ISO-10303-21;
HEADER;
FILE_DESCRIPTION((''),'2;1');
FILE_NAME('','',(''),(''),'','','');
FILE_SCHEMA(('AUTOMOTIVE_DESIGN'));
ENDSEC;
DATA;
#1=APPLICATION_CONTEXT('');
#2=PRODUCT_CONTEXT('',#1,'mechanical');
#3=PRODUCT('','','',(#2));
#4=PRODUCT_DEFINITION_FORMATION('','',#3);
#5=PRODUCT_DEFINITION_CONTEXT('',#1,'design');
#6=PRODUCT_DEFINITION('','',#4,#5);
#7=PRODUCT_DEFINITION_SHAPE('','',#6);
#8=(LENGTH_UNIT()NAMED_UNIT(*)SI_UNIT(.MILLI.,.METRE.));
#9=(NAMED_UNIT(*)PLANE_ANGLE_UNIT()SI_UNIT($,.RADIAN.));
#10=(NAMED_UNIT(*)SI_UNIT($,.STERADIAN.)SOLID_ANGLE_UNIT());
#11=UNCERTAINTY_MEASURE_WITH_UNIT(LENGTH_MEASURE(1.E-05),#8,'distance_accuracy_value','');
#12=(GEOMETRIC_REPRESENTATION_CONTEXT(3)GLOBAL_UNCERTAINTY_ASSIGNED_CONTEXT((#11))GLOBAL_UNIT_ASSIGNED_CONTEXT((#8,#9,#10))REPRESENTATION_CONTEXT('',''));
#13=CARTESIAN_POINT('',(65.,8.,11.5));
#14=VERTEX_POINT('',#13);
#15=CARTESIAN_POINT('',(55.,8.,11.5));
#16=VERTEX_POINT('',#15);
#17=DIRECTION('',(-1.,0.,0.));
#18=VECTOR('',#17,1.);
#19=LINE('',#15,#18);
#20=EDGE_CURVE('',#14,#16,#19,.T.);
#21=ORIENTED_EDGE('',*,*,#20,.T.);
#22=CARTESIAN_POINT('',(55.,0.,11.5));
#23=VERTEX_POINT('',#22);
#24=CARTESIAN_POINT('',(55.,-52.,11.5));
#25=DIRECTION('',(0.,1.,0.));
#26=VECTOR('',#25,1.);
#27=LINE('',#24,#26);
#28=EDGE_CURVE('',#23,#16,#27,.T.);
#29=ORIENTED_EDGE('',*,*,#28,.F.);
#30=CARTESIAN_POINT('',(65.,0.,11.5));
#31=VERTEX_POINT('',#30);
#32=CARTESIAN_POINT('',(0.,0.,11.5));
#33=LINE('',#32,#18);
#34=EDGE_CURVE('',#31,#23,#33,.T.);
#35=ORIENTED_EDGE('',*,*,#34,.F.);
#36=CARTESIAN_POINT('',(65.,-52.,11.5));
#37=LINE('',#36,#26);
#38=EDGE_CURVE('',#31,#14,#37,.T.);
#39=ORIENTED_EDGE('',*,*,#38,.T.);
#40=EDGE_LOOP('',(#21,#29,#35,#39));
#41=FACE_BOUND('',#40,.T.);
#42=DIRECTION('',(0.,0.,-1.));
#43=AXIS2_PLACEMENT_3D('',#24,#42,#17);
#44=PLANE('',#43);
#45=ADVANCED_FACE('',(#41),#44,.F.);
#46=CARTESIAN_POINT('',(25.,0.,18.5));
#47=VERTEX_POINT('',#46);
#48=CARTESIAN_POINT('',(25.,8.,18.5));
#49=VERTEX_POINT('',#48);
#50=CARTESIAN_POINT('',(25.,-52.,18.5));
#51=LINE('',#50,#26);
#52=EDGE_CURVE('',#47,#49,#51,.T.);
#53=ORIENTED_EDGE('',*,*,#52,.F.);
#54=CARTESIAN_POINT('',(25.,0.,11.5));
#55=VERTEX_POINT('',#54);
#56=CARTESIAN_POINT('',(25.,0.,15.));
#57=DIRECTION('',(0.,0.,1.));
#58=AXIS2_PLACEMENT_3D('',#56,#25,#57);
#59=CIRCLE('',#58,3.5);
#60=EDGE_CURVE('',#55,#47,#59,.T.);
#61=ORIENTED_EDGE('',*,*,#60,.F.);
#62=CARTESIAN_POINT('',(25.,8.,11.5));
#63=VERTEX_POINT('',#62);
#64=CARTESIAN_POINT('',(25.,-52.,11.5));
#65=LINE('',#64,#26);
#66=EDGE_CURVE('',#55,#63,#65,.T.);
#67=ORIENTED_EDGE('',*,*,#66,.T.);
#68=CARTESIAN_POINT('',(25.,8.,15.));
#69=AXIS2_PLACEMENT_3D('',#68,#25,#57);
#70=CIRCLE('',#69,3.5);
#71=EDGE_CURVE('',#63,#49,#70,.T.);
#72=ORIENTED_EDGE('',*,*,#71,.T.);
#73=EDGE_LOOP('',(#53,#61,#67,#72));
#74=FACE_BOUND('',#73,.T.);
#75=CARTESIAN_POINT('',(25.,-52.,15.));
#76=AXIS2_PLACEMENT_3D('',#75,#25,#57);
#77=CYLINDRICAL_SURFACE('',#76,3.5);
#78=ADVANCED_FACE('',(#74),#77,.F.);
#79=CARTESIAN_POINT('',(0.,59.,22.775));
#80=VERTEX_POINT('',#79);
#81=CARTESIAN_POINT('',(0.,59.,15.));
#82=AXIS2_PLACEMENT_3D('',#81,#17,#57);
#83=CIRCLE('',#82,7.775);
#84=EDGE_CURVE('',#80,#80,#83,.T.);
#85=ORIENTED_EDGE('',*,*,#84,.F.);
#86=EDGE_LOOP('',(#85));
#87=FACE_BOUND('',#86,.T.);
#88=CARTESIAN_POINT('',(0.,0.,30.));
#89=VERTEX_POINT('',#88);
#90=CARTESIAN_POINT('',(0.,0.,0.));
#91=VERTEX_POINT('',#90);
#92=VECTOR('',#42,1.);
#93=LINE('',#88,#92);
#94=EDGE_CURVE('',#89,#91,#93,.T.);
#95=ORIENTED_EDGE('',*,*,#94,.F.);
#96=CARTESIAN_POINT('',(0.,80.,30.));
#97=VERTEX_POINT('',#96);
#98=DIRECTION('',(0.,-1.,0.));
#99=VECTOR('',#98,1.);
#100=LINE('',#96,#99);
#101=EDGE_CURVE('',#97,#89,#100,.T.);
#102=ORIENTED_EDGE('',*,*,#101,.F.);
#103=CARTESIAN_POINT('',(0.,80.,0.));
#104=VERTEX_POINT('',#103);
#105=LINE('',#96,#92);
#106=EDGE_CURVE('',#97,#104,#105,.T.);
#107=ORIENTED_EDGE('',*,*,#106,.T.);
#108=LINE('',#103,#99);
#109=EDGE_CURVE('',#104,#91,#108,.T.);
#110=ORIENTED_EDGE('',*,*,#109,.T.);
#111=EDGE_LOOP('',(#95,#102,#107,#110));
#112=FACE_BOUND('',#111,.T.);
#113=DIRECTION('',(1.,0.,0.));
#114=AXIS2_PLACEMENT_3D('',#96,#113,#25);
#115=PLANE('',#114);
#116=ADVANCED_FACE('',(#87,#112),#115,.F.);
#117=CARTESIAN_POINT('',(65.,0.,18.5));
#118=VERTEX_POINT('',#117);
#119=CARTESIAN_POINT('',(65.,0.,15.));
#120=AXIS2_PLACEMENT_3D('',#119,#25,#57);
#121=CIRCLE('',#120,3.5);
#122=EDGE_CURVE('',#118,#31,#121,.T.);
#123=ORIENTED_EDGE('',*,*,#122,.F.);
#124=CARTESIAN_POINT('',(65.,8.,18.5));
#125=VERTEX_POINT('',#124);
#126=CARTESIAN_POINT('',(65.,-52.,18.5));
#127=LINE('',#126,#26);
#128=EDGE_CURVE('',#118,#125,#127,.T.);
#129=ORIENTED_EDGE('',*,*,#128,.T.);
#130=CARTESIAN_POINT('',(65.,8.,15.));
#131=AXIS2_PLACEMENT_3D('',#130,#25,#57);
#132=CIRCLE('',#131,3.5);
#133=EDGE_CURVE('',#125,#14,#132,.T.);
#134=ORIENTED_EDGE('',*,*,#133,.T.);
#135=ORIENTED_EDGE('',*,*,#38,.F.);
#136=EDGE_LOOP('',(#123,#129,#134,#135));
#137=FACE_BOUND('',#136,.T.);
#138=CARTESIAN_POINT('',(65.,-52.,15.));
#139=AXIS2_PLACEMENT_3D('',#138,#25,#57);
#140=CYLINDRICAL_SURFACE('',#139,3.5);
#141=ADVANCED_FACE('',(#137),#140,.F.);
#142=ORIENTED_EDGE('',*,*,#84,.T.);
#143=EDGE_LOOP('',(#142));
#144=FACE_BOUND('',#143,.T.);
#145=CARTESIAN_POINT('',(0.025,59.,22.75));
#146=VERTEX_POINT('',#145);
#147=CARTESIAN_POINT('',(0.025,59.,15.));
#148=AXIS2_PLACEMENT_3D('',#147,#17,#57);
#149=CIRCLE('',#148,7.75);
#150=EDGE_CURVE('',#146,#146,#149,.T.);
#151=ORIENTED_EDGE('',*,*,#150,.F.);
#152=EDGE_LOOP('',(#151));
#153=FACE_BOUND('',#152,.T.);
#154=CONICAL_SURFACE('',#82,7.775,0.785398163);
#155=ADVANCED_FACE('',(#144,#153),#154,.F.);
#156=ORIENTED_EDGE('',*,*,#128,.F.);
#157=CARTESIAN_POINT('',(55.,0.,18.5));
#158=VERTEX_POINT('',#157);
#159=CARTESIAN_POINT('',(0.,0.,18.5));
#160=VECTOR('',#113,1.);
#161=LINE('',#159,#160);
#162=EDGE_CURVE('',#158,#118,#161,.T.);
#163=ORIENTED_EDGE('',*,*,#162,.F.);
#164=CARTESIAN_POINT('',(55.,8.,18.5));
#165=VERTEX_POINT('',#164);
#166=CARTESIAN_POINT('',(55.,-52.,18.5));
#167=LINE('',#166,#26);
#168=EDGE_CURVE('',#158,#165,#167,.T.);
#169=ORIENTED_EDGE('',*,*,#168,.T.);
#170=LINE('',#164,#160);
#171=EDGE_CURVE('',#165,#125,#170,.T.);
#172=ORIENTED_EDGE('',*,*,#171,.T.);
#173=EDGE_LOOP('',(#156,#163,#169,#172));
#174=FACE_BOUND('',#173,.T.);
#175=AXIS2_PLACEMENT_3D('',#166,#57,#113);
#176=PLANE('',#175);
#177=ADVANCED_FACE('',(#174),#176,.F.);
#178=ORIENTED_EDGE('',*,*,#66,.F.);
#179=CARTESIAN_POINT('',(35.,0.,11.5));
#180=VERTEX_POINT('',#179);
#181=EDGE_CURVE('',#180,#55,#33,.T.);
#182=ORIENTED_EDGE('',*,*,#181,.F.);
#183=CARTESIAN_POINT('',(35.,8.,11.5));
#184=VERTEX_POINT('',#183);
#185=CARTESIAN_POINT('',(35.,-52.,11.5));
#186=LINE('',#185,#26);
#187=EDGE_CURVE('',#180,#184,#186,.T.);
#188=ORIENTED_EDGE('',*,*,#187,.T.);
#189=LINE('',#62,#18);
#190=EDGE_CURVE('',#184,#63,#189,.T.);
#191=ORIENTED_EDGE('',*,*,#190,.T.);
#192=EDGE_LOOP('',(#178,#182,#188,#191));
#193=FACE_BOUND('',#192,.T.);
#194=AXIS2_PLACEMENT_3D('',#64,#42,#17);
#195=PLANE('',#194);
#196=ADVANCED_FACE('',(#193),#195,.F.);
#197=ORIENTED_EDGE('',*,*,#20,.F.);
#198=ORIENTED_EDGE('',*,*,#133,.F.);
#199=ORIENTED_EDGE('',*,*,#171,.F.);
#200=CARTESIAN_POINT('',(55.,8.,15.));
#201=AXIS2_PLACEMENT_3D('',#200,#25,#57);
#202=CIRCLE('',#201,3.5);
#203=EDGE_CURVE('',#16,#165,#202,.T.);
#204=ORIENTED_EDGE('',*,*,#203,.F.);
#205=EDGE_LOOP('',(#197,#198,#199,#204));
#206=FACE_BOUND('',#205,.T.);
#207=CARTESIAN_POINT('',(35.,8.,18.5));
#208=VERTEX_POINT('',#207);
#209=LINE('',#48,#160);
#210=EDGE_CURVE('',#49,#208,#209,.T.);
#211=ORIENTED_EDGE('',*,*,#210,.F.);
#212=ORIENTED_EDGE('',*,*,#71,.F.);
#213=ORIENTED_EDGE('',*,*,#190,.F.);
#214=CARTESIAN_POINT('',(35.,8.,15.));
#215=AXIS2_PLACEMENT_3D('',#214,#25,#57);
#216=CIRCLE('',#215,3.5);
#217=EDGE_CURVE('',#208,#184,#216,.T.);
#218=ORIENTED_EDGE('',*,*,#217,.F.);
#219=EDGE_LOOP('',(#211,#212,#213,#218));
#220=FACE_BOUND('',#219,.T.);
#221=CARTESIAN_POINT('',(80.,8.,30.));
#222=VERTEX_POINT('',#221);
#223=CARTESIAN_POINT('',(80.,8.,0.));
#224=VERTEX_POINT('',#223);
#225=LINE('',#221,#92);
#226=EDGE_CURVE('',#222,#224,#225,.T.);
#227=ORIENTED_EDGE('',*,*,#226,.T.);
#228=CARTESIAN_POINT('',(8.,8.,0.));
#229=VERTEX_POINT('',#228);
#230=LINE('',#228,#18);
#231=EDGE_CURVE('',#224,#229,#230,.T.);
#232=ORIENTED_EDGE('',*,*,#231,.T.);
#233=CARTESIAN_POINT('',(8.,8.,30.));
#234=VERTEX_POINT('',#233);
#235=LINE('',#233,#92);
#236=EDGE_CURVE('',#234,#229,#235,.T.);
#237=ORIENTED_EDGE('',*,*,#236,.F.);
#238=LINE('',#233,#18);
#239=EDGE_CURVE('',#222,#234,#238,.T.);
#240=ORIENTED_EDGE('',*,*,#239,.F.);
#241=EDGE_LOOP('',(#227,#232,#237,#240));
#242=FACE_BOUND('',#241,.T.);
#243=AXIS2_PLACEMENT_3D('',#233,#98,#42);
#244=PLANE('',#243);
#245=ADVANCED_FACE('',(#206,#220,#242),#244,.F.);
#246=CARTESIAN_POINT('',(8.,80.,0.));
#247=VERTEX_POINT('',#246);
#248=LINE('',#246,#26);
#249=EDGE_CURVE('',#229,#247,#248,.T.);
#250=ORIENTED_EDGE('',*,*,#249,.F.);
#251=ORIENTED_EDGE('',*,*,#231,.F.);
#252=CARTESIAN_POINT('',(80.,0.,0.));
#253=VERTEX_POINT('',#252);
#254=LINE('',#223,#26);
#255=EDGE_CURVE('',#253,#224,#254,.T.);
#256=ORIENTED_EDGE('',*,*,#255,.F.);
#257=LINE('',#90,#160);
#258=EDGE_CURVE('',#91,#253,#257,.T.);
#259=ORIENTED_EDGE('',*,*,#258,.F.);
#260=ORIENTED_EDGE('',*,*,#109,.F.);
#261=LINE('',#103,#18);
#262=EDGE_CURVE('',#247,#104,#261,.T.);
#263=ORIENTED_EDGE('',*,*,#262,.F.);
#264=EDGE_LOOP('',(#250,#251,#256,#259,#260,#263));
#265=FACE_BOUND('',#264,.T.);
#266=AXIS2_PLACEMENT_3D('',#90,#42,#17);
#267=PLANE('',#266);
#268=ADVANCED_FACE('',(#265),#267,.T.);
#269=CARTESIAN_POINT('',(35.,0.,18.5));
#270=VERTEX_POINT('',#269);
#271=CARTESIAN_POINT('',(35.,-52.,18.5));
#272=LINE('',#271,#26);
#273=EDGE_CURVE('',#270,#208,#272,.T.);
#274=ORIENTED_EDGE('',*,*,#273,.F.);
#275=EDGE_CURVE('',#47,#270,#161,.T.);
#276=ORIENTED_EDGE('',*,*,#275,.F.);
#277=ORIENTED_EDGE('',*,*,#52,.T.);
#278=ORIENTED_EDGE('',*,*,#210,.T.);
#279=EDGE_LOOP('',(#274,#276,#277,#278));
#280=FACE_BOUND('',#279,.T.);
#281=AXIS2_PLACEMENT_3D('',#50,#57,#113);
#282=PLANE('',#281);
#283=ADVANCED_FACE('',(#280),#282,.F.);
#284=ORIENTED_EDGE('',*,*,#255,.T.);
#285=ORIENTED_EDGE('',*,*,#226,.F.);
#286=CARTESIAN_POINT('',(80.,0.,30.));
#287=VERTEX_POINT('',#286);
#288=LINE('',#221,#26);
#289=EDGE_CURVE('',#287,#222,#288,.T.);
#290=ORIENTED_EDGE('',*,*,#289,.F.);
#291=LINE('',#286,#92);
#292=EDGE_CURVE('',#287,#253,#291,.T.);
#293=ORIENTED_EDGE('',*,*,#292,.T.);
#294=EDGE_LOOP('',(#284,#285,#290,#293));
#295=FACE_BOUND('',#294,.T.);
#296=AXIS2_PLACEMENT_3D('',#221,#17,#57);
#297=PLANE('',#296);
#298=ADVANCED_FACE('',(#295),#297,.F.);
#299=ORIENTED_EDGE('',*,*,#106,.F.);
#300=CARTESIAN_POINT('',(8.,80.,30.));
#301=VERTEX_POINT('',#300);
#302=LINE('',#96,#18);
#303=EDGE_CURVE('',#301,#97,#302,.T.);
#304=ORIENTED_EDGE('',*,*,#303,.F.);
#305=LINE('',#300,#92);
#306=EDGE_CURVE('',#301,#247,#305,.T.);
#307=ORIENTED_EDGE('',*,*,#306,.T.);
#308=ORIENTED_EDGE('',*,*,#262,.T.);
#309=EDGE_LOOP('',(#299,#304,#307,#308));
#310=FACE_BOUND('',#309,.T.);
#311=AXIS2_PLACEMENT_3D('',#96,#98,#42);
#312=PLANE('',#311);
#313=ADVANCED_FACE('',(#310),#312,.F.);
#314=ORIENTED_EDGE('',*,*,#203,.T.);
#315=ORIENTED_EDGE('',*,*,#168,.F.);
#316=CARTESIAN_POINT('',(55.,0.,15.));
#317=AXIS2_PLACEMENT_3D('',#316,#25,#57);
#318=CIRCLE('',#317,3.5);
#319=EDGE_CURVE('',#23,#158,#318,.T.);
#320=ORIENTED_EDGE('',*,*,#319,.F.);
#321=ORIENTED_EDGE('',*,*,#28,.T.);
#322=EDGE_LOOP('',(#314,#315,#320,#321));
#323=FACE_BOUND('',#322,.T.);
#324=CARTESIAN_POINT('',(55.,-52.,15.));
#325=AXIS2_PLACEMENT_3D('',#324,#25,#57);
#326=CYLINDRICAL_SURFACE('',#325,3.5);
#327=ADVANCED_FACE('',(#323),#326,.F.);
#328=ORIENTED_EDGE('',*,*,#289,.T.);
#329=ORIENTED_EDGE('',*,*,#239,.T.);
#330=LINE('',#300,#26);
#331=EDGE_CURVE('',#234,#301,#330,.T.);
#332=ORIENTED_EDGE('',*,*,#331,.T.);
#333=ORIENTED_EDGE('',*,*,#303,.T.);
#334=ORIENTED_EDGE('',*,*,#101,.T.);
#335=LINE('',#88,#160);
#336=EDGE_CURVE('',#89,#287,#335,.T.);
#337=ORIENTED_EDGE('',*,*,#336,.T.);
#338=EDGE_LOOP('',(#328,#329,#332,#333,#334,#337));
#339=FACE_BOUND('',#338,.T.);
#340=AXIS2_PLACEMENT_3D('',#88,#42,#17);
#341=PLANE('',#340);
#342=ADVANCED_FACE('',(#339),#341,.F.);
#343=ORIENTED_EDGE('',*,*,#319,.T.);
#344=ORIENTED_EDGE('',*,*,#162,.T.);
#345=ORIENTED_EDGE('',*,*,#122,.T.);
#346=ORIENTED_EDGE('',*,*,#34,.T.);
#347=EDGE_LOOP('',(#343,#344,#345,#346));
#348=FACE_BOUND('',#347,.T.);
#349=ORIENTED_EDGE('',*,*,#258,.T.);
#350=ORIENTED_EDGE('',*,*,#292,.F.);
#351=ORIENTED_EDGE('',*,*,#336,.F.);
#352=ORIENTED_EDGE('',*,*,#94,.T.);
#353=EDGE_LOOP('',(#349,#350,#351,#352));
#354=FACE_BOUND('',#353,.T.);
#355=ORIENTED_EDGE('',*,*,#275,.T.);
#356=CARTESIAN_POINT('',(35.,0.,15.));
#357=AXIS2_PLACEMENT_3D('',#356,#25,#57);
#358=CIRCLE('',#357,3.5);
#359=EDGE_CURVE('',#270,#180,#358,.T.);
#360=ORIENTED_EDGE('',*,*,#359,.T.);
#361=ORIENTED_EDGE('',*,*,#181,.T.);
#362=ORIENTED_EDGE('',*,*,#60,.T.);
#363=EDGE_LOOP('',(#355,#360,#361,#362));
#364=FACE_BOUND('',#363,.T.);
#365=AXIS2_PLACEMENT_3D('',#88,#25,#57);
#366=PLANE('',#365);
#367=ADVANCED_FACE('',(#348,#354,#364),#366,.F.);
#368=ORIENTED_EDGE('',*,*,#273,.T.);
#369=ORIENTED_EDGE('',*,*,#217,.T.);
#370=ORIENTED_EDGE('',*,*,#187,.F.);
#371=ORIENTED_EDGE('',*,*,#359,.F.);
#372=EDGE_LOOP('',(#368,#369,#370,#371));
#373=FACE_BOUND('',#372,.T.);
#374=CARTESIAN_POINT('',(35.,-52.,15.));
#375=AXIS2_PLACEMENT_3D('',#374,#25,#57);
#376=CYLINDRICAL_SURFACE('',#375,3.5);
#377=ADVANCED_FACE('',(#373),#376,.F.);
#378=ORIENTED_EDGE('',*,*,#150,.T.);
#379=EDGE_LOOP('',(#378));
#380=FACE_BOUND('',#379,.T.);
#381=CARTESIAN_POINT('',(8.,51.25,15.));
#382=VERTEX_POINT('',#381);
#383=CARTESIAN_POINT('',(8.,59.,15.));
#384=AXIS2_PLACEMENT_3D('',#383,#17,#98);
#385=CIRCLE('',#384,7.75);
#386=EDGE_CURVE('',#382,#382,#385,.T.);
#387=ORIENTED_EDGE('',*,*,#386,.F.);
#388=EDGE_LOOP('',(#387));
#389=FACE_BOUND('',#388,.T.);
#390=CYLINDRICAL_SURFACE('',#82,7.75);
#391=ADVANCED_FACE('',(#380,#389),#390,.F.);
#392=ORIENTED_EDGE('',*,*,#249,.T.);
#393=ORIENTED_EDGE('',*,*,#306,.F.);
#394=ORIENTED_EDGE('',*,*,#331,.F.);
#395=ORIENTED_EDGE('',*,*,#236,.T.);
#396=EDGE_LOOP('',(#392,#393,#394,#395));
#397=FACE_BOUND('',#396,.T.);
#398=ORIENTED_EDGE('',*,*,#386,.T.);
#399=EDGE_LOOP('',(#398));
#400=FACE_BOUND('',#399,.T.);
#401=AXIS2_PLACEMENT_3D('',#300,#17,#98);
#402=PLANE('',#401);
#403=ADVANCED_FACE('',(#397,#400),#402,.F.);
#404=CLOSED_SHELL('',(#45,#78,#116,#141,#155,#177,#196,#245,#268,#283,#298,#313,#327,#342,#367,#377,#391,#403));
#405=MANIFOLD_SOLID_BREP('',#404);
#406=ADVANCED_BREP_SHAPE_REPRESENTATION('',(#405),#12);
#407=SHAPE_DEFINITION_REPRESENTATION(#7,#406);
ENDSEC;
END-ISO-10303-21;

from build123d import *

# Parameters (mm, degrees)
EXTRUDE_1_DEPTH                     = 30
CUT_EXTRUDE_1_DEPTH                 = 60
HOLE_WIZARD_15_5_15_5_1_D           = 15.5
HOLE_WIZARD_15_5_15_5_1_DEPTH       = 17
HOLE_WIZARD_15_5_15_5_1_CSINK_D     = 15.55
HOLE_WIZARD_15_5_15_5_1_CSINK_ANGLE = 90
HOLE_WIZARD_15_5_15_5_1_TIP         = 4.656669797


with BuildPart() as part:
    # 草图1 → 凸台-拉伸1 (new body)
    with BuildSketch(Plane.XY):
        Polygon((0, 80), (0, 0), (80, 0), (80, 8), (8, 8), (8, 80), align=None)
    extrude(amount=EXTRUDE_1_DEPTH)

    # 草图2 → 切除-拉伸1 (cut)
    with BuildSketch(Plane(origin=(0, 8, 0), x_dir=(1, 0, 0), z_dir=(0, 1, 0))):
        with BuildLine():
            Line((55, -11.5), (65, -11.5))
            ThreePointArc((65, -11.5), (68.5, -15), (65, -18.5))
            Line((65, -18.5), (55, -18.5))
            ThreePointArc((55, -18.5), (51.5, -15), (55, -11.5))
        make_face()
        with BuildLine():
            Line((25, -11.5), (35, -11.5))
            ThreePointArc((35, -11.5), (38.5, -15), (35, -18.5))
            Line((35, -18.5), (25, -18.5))
            ThreePointArc((25, -18.5), (21.5, -15), (25, -11.5))
        make_face()
    extrude(amount=-CUT_EXTRUDE_1_DEPTH, mode=Mode.SUBTRACT)

    # Ø15.5 (15.5) 直径槽口1
    with Locations(Plane.ZY):
        with Locations((15, 59)):
            CounterSinkHole(HOLE_WIZARD_15_5_15_5_1_D / 2, HOLE_WIZARD_15_5_15_5_1_CSINK_D / 2, depth=HOLE_WIZARD_15_5_15_5_1_DEPTH, counter_sink_angle=HOLE_WIZARD_15_5_15_5_1_CSINK_ANGLE)
            with Locations((0, 0, -(HOLE_WIZARD_15_5_15_5_1_DEPTH + HOLE_WIZARD_15_5_15_5_1_TIP / 2))):  # 118° drill point
                Cone(0, HOLE_WIZARD_15_5_15_5_1_D / 2, HOLE_WIZARD_15_5_15_5_1_TIP, mode=Mode.SUBTRACT)


solid = part.part
